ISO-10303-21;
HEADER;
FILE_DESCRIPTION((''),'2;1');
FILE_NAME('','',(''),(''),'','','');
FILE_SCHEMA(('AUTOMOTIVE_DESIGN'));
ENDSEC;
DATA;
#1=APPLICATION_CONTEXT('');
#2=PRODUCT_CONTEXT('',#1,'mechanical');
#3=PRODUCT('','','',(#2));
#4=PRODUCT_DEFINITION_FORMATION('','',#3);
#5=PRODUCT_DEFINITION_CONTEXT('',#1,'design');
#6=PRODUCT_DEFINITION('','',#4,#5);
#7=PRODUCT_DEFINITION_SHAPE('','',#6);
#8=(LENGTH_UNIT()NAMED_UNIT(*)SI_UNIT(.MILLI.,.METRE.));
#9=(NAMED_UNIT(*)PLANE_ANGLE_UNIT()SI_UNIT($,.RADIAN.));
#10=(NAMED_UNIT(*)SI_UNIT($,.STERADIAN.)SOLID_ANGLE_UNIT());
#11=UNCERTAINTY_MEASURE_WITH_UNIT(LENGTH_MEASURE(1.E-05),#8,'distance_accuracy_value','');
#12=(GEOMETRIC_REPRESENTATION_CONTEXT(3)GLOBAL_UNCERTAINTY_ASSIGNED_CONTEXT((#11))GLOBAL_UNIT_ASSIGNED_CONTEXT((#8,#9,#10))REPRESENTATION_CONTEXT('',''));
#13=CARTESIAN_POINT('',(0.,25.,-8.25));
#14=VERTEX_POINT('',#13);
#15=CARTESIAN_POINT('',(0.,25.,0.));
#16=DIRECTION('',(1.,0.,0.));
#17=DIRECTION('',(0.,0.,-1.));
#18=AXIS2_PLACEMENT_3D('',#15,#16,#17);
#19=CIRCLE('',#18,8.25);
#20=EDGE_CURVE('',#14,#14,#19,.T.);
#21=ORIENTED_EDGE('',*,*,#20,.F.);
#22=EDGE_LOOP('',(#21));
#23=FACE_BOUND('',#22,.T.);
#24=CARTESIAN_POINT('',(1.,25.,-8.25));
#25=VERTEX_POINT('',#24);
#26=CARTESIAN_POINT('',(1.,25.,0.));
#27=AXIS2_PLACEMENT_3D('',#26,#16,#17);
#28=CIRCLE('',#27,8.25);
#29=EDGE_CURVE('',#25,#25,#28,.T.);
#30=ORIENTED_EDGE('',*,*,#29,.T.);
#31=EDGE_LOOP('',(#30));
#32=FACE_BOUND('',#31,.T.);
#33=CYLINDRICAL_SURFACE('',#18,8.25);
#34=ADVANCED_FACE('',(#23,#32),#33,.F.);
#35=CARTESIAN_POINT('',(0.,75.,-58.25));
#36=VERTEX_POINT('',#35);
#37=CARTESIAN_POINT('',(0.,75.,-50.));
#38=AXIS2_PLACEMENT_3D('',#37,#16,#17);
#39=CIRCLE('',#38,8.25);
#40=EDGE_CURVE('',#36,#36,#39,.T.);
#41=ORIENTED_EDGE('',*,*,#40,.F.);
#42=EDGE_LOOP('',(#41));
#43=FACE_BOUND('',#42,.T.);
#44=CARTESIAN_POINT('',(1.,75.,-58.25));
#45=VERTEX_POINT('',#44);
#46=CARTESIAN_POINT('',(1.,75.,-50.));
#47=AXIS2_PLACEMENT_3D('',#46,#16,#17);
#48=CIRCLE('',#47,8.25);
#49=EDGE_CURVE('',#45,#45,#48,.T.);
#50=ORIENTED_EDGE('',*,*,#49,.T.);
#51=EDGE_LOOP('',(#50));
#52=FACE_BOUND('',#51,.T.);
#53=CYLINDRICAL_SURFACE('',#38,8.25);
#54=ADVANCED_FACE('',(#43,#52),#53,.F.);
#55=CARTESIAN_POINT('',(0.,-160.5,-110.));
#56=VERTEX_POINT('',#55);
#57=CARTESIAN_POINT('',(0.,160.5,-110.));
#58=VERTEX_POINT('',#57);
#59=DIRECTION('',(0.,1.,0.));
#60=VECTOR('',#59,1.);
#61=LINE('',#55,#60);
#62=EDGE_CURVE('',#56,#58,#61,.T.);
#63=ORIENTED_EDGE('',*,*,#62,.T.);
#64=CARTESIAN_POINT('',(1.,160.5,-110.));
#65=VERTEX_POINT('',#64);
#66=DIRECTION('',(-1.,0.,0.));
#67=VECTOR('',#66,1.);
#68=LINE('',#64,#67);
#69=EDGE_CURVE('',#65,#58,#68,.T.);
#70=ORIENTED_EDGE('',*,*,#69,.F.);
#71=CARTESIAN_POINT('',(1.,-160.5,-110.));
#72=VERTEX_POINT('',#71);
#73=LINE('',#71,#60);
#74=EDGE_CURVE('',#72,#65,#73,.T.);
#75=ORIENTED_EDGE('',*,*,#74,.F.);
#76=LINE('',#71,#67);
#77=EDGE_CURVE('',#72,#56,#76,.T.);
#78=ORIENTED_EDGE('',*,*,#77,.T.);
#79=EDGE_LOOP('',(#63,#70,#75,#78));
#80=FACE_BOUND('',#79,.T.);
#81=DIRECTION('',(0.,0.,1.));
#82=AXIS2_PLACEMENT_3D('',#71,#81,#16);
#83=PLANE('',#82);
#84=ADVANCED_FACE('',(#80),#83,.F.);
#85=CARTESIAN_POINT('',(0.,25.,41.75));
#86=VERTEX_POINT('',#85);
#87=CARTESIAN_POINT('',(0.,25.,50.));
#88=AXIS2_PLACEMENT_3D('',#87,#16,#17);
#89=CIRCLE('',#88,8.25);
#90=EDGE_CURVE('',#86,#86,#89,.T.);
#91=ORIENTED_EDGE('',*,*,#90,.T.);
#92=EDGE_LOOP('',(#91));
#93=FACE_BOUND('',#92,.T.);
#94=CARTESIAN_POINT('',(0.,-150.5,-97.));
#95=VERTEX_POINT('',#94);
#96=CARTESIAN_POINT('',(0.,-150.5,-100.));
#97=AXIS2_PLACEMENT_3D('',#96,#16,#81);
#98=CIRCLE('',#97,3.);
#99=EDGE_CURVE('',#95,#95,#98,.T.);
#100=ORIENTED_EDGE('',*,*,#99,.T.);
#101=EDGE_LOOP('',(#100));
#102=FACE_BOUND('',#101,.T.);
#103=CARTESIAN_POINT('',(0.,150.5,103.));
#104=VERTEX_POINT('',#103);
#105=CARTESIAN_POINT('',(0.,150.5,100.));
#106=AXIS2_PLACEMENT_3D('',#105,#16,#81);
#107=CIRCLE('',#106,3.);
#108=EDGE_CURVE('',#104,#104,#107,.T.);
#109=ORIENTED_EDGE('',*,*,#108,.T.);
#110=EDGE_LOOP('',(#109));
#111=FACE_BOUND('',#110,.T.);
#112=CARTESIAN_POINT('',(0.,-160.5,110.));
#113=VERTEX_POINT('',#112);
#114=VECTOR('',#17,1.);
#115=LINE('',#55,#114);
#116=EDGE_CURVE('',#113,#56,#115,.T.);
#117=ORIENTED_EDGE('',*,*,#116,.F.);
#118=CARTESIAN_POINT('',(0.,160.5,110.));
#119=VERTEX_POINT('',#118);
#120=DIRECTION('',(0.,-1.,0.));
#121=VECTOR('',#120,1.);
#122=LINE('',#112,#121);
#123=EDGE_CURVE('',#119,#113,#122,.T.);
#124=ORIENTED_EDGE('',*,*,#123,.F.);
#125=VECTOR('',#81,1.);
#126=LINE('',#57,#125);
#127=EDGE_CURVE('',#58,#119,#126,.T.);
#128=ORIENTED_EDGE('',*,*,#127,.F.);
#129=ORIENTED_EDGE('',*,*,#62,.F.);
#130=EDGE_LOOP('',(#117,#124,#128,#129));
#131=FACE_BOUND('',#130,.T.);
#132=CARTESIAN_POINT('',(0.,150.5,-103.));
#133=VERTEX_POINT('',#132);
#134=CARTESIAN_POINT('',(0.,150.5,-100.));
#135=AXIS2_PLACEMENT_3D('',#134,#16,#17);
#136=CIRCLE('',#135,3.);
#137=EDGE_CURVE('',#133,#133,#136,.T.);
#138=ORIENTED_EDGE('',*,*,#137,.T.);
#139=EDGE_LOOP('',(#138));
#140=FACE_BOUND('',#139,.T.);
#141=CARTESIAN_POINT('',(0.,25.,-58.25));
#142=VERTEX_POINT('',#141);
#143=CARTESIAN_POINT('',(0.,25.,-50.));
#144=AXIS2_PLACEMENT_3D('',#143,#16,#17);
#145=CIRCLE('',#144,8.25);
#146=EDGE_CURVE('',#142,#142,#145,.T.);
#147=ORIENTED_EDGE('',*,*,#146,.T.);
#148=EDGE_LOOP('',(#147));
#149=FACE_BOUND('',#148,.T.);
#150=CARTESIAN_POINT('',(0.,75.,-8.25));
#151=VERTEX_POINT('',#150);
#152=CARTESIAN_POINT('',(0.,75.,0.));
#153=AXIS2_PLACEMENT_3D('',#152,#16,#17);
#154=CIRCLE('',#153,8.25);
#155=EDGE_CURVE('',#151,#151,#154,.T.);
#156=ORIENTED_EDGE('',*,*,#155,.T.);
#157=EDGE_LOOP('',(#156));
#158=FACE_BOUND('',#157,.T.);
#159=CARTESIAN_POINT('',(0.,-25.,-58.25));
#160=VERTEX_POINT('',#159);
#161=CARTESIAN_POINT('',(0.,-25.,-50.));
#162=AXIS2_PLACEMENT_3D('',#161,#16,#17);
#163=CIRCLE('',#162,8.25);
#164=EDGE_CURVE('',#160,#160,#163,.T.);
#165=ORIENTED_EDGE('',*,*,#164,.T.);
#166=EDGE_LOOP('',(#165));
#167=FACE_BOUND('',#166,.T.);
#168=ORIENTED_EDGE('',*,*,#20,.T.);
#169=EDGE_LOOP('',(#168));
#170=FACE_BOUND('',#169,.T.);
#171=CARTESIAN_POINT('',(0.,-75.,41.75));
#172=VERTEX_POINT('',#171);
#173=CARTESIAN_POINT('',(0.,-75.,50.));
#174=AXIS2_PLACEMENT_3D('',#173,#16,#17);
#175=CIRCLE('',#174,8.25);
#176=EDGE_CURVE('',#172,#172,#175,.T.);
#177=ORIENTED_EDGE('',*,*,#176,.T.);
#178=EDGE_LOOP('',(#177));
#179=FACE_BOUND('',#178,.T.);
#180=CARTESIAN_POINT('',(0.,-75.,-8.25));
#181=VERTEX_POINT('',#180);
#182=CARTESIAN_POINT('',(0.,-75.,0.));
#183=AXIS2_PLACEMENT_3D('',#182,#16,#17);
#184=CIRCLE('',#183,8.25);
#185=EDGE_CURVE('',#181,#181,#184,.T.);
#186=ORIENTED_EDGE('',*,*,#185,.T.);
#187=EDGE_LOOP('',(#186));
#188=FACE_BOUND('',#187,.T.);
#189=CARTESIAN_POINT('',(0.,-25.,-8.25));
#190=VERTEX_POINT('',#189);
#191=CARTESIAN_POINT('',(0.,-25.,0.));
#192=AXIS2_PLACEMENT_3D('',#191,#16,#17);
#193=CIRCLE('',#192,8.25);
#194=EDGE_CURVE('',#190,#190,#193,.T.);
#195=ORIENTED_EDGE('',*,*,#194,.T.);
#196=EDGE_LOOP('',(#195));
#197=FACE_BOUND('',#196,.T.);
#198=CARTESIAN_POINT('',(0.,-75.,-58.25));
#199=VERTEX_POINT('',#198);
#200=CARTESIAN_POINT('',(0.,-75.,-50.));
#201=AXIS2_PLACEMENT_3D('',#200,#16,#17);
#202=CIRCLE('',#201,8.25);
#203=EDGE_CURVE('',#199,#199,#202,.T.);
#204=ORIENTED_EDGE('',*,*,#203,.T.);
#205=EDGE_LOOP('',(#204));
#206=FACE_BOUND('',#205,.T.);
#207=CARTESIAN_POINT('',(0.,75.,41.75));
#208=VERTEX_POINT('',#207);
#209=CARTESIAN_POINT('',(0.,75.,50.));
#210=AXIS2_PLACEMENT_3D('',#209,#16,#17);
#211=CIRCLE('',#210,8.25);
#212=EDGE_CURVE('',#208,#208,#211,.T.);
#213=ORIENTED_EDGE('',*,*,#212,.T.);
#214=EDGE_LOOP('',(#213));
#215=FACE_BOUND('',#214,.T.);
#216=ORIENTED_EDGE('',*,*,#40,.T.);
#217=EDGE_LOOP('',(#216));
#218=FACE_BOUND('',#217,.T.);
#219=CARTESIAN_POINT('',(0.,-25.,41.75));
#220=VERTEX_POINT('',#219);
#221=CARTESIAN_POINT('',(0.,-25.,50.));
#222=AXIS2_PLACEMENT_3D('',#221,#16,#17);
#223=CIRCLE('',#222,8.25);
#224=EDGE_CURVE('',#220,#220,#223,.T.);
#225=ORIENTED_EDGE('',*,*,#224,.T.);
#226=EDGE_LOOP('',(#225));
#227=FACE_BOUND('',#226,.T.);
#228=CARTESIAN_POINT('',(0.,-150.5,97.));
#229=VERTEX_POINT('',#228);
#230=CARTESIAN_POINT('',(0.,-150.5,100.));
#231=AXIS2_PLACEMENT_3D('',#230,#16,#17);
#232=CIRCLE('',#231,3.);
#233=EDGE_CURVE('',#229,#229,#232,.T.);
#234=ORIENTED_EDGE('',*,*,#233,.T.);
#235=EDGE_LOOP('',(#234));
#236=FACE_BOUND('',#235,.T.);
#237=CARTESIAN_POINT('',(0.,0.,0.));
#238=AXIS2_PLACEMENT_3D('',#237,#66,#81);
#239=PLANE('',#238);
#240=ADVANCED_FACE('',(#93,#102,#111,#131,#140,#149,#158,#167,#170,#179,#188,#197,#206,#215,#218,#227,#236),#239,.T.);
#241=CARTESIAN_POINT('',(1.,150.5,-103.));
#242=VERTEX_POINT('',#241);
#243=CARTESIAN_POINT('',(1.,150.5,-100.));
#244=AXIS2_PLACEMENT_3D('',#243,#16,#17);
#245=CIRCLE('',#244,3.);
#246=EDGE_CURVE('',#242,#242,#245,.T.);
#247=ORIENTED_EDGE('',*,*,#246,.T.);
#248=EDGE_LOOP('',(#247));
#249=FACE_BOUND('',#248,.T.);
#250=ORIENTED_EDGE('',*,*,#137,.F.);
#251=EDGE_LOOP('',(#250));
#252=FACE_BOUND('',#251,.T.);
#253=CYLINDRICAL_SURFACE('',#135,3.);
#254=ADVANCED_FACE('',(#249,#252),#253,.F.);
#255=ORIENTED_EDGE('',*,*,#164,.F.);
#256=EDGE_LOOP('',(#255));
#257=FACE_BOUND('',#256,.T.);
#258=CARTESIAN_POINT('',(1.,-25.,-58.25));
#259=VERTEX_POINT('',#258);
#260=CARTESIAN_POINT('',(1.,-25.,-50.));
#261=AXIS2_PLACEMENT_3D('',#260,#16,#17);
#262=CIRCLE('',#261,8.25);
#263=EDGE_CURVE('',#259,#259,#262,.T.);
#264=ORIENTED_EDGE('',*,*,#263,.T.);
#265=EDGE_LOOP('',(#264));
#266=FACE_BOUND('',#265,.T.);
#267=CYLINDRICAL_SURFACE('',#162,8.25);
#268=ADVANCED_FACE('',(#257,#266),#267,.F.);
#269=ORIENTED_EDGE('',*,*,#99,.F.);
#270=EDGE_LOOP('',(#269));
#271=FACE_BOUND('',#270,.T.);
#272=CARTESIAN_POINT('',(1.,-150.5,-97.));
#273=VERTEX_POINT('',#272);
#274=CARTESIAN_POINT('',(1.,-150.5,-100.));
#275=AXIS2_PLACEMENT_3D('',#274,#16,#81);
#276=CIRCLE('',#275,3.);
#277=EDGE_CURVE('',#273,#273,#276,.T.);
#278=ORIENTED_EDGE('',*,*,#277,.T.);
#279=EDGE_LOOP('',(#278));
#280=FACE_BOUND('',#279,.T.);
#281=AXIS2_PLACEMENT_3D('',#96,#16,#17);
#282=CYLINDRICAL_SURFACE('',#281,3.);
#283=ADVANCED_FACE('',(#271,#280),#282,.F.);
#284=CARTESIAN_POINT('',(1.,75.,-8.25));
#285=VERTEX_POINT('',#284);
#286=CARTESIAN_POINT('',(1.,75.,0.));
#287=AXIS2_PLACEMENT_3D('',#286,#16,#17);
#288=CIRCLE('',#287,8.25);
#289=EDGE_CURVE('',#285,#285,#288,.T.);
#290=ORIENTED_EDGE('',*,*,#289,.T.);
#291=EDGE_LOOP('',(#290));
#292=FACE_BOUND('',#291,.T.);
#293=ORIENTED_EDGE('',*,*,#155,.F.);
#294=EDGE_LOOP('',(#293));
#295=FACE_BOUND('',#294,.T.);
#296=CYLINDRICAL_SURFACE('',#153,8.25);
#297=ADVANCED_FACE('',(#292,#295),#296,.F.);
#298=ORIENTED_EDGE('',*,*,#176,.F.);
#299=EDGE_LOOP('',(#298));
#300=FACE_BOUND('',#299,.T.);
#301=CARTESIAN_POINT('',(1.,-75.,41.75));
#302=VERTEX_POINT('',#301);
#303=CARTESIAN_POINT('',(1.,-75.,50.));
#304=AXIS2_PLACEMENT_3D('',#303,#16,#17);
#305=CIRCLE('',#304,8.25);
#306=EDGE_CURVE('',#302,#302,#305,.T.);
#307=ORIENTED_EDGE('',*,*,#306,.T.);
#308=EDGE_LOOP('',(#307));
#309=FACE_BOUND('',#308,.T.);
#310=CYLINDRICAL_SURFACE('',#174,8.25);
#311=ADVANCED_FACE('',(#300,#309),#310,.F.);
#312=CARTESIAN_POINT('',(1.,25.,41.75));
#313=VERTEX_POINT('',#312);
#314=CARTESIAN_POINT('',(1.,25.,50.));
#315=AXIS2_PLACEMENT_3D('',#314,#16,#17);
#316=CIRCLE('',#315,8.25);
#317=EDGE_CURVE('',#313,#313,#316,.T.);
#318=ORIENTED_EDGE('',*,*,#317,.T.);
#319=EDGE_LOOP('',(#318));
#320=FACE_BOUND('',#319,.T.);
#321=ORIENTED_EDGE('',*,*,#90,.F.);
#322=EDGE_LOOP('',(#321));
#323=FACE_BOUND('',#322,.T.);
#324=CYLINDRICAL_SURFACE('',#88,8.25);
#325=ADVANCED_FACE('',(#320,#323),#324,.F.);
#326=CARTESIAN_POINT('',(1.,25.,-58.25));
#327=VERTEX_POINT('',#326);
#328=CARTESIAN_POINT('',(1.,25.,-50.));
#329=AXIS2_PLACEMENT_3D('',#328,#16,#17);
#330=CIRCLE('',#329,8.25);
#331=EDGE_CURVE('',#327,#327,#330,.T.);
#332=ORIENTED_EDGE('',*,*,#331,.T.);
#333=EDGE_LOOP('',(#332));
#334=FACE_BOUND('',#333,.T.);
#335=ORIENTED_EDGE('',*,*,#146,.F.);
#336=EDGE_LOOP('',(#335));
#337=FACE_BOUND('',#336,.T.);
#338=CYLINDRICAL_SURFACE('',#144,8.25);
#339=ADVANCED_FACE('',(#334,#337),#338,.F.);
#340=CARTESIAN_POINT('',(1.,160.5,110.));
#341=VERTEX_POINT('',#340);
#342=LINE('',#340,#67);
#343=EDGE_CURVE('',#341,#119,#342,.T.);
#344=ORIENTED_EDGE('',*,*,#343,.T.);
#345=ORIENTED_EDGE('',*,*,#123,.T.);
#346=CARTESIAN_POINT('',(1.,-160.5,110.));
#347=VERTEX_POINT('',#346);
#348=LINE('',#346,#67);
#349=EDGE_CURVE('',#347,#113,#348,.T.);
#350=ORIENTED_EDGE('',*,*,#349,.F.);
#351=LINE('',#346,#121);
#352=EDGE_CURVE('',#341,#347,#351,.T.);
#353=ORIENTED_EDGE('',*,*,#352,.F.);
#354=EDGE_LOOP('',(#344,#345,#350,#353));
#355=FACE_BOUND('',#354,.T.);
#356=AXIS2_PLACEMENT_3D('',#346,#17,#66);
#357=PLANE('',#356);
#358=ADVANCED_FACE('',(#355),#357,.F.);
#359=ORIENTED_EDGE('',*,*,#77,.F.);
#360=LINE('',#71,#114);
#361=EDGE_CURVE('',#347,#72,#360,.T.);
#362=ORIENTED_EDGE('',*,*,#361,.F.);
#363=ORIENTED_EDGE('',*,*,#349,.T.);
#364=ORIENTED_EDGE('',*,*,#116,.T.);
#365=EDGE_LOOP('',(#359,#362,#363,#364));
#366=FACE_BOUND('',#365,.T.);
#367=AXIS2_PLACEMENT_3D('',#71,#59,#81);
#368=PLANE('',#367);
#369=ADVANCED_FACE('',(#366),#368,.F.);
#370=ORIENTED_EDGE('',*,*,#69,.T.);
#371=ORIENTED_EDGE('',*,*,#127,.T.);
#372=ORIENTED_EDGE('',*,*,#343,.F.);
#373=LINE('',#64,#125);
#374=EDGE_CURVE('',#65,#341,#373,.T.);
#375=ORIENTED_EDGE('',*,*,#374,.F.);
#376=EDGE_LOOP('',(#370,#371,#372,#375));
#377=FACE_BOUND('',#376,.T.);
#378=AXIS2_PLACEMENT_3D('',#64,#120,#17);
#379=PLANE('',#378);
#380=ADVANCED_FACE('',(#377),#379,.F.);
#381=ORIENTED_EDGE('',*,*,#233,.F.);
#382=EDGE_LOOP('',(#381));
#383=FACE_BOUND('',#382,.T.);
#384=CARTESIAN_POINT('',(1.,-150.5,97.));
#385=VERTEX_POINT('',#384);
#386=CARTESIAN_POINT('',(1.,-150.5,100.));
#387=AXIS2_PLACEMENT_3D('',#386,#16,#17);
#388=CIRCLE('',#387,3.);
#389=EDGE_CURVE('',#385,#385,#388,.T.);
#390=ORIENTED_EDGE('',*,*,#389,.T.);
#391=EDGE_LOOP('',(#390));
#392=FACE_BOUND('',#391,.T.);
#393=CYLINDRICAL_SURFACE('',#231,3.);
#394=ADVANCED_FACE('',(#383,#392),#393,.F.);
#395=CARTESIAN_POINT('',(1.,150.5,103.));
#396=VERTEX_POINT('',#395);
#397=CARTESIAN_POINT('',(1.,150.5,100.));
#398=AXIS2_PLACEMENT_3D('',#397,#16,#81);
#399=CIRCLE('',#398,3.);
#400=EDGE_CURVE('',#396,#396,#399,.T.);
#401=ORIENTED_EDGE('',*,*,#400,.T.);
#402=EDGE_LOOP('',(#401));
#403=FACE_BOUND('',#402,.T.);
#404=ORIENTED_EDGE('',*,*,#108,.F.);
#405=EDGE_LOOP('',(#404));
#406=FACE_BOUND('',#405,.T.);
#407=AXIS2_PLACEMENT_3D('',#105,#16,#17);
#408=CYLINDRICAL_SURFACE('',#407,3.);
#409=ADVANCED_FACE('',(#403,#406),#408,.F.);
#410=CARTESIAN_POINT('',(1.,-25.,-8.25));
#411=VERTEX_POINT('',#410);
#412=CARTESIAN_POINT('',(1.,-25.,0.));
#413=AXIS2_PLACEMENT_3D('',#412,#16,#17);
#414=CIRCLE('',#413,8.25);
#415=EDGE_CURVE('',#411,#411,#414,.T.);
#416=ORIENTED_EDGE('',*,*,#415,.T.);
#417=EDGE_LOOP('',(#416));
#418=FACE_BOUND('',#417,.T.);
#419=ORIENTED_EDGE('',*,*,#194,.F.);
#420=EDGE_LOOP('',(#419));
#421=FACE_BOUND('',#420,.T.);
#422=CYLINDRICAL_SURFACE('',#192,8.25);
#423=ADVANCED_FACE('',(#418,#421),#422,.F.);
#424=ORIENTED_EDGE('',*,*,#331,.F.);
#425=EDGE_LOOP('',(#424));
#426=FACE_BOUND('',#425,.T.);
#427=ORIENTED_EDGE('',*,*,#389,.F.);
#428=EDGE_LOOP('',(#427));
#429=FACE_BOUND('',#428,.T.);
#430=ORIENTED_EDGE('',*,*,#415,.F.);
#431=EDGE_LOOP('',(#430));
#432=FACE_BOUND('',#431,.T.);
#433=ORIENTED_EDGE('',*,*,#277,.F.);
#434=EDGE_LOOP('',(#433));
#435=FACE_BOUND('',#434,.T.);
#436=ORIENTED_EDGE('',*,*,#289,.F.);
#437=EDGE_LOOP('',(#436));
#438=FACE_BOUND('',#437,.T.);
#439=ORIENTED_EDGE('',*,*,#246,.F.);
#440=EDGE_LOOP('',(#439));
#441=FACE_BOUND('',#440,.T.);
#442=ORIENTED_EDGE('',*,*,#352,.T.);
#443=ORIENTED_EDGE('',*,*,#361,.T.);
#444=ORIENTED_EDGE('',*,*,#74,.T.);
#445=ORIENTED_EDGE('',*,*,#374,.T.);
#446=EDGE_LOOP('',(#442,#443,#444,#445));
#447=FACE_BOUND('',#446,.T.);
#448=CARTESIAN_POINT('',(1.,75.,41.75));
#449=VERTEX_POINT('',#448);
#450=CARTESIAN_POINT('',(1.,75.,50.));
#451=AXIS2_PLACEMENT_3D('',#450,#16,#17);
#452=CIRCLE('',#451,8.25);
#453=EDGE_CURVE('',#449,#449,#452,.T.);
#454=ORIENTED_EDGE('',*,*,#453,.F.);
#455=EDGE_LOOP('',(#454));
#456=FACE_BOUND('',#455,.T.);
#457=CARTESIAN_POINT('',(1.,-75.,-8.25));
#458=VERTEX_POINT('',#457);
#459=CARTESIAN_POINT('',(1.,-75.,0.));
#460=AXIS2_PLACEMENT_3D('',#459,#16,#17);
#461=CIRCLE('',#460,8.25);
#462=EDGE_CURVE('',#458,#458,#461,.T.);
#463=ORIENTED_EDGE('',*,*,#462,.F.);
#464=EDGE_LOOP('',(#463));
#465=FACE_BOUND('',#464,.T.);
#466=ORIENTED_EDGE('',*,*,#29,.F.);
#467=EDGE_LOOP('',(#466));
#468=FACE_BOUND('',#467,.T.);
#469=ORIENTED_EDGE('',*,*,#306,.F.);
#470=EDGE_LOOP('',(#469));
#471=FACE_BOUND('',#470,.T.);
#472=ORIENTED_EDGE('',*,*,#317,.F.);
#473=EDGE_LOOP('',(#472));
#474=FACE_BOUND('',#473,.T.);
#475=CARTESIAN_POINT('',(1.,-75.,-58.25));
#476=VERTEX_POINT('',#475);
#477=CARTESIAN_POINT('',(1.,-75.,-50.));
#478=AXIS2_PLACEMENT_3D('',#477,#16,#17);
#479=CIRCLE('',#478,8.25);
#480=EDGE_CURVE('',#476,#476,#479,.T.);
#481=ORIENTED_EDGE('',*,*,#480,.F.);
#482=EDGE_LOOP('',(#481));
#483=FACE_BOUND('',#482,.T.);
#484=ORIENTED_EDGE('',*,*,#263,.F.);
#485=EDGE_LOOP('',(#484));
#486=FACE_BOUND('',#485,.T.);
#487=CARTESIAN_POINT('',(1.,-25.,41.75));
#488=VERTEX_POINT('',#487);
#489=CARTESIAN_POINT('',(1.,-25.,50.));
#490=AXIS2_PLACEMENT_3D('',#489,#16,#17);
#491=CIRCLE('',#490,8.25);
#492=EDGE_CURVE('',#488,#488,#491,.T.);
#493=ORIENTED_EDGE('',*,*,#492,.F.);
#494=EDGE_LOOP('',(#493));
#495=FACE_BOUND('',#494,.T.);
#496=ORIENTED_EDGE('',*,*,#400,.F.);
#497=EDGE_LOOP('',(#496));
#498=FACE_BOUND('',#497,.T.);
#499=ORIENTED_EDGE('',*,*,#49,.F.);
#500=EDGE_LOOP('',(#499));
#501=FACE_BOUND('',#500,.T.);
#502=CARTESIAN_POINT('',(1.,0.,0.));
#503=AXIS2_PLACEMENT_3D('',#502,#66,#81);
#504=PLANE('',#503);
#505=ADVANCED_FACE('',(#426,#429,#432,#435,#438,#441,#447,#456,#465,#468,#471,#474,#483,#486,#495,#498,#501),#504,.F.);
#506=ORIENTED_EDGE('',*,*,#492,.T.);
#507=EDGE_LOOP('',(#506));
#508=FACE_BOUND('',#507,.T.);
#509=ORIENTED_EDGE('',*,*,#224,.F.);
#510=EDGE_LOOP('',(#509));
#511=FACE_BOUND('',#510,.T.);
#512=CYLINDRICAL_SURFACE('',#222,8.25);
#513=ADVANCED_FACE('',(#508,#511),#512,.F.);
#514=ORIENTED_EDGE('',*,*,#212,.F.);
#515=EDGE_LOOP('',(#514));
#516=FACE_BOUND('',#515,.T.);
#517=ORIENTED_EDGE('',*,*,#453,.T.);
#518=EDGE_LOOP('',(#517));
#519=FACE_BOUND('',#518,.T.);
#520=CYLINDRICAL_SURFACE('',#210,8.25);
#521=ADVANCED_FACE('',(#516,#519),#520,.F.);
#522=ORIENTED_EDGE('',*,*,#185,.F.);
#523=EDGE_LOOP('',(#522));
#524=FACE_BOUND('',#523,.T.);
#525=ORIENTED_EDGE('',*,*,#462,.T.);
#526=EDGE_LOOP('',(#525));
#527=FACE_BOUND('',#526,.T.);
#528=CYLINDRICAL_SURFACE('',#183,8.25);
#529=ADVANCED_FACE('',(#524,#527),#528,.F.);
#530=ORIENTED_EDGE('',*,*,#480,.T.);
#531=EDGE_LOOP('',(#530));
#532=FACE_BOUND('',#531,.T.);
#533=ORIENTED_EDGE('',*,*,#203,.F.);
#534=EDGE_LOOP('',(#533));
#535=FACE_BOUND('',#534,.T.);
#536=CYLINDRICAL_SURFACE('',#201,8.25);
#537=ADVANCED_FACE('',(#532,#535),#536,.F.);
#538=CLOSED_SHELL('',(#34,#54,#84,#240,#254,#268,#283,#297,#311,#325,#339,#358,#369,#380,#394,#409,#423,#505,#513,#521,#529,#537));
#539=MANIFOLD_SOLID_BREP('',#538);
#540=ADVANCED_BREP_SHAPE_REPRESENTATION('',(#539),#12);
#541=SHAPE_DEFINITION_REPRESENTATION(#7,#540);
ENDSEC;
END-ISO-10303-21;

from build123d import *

# Parameters (mm, degrees)
SKETCH1_W           = 321
SKETCH1_H           = 220
BOSS_EXTRUDE1_DEPTH = 1
SKETCH2_R           = 8.25
CUT_EXTRUDE1_DEPTH  = 195.579675198
SKETCH3_R           = 3
CUT_EXTRUDE2_DEPTH  = 195.579675198


with BuildPart() as part:
    # Sketch1 → Boss-Extrude1 (new body)
    with BuildSketch(Plane.YZ):
        Rectangle(SKETCH1_W, SKETCH1_H)
    extrude(amount=BOSS_EXTRUDE1_DEPTH)

    # Sketch2 → Cut-Extrude1 (cut, through all)
    with BuildSketch(Plane.YZ.offset(1)):
        with Locations(Location((-75, 50, 0), (0, 0, 270))):
            Circle(SKETCH2_R)
        with Locations(Location((-25, 50, 0), (0, 0, 270))):
            Circle(SKETCH2_R)
        with Locations(Location((25, 50, 0), (0, 0, 270))):
            Circle(SKETCH2_R)
        with Locations(Location((75, 50, 0), (0, 0, 270))):
            Circle(SKETCH2_R)
        with Locations(Location((-25, 0, 0), (0, 0, 270))):
            Circle(SKETCH2_R)
        with Locations(Location((25, 0, 0), (0, 0, 270))):
            Circle(SKETCH2_R)
        with Locations(Location((75, 0, 0), (0, 0, 270))):
            Circle(SKETCH2_R)
        with Locations(Location((-25, -50, 0), (0, 0, 270))):
            Circle(SKETCH2_R)
        with Locations(Location((25, -50, 0), (0, 0, 270))):
            Circle(SKETCH2_R)
        with Locations(Location((75, -50, 0), (0, 0, 270))):
            Circle(SKETCH2_R)
        with Locations(Location((-75, 0, 0), (0, 0, 270))):
            Circle(SKETCH2_R)
        with Locations(Location((-75, -50, 0), (0, 0, 270))):
            Circle(SKETCH2_R)
    extrude(amount=-CUT_EXTRUDE1_DEPTH, mode=Mode.SUBTRACT)

    # Sketch3 → Cut-Extrude2 (cut, through all)
    with BuildSketch(Plane.YZ.offset(1)):
        with Locations(Location((-150.5, 100, 0), (0, 0, 270))):
            Circle(SKETCH3_R)
        with Locations(Location((150.5, 100, 0), (0, 0, 90))):
            Circle(SKETCH3_R)
        with Locations(Location((-150.5, -100, 0), (0, 0, 90))):
            Circle(SKETCH3_R)
        with Locations(Location((150.5, -100, 0), (0, 0, 270))):
            Circle(SKETCH3_R)
    extrude(amount=-CUT_EXTRUDE2_DEPTH, mode=Mode.SUBTRACT)


solid = part.part
